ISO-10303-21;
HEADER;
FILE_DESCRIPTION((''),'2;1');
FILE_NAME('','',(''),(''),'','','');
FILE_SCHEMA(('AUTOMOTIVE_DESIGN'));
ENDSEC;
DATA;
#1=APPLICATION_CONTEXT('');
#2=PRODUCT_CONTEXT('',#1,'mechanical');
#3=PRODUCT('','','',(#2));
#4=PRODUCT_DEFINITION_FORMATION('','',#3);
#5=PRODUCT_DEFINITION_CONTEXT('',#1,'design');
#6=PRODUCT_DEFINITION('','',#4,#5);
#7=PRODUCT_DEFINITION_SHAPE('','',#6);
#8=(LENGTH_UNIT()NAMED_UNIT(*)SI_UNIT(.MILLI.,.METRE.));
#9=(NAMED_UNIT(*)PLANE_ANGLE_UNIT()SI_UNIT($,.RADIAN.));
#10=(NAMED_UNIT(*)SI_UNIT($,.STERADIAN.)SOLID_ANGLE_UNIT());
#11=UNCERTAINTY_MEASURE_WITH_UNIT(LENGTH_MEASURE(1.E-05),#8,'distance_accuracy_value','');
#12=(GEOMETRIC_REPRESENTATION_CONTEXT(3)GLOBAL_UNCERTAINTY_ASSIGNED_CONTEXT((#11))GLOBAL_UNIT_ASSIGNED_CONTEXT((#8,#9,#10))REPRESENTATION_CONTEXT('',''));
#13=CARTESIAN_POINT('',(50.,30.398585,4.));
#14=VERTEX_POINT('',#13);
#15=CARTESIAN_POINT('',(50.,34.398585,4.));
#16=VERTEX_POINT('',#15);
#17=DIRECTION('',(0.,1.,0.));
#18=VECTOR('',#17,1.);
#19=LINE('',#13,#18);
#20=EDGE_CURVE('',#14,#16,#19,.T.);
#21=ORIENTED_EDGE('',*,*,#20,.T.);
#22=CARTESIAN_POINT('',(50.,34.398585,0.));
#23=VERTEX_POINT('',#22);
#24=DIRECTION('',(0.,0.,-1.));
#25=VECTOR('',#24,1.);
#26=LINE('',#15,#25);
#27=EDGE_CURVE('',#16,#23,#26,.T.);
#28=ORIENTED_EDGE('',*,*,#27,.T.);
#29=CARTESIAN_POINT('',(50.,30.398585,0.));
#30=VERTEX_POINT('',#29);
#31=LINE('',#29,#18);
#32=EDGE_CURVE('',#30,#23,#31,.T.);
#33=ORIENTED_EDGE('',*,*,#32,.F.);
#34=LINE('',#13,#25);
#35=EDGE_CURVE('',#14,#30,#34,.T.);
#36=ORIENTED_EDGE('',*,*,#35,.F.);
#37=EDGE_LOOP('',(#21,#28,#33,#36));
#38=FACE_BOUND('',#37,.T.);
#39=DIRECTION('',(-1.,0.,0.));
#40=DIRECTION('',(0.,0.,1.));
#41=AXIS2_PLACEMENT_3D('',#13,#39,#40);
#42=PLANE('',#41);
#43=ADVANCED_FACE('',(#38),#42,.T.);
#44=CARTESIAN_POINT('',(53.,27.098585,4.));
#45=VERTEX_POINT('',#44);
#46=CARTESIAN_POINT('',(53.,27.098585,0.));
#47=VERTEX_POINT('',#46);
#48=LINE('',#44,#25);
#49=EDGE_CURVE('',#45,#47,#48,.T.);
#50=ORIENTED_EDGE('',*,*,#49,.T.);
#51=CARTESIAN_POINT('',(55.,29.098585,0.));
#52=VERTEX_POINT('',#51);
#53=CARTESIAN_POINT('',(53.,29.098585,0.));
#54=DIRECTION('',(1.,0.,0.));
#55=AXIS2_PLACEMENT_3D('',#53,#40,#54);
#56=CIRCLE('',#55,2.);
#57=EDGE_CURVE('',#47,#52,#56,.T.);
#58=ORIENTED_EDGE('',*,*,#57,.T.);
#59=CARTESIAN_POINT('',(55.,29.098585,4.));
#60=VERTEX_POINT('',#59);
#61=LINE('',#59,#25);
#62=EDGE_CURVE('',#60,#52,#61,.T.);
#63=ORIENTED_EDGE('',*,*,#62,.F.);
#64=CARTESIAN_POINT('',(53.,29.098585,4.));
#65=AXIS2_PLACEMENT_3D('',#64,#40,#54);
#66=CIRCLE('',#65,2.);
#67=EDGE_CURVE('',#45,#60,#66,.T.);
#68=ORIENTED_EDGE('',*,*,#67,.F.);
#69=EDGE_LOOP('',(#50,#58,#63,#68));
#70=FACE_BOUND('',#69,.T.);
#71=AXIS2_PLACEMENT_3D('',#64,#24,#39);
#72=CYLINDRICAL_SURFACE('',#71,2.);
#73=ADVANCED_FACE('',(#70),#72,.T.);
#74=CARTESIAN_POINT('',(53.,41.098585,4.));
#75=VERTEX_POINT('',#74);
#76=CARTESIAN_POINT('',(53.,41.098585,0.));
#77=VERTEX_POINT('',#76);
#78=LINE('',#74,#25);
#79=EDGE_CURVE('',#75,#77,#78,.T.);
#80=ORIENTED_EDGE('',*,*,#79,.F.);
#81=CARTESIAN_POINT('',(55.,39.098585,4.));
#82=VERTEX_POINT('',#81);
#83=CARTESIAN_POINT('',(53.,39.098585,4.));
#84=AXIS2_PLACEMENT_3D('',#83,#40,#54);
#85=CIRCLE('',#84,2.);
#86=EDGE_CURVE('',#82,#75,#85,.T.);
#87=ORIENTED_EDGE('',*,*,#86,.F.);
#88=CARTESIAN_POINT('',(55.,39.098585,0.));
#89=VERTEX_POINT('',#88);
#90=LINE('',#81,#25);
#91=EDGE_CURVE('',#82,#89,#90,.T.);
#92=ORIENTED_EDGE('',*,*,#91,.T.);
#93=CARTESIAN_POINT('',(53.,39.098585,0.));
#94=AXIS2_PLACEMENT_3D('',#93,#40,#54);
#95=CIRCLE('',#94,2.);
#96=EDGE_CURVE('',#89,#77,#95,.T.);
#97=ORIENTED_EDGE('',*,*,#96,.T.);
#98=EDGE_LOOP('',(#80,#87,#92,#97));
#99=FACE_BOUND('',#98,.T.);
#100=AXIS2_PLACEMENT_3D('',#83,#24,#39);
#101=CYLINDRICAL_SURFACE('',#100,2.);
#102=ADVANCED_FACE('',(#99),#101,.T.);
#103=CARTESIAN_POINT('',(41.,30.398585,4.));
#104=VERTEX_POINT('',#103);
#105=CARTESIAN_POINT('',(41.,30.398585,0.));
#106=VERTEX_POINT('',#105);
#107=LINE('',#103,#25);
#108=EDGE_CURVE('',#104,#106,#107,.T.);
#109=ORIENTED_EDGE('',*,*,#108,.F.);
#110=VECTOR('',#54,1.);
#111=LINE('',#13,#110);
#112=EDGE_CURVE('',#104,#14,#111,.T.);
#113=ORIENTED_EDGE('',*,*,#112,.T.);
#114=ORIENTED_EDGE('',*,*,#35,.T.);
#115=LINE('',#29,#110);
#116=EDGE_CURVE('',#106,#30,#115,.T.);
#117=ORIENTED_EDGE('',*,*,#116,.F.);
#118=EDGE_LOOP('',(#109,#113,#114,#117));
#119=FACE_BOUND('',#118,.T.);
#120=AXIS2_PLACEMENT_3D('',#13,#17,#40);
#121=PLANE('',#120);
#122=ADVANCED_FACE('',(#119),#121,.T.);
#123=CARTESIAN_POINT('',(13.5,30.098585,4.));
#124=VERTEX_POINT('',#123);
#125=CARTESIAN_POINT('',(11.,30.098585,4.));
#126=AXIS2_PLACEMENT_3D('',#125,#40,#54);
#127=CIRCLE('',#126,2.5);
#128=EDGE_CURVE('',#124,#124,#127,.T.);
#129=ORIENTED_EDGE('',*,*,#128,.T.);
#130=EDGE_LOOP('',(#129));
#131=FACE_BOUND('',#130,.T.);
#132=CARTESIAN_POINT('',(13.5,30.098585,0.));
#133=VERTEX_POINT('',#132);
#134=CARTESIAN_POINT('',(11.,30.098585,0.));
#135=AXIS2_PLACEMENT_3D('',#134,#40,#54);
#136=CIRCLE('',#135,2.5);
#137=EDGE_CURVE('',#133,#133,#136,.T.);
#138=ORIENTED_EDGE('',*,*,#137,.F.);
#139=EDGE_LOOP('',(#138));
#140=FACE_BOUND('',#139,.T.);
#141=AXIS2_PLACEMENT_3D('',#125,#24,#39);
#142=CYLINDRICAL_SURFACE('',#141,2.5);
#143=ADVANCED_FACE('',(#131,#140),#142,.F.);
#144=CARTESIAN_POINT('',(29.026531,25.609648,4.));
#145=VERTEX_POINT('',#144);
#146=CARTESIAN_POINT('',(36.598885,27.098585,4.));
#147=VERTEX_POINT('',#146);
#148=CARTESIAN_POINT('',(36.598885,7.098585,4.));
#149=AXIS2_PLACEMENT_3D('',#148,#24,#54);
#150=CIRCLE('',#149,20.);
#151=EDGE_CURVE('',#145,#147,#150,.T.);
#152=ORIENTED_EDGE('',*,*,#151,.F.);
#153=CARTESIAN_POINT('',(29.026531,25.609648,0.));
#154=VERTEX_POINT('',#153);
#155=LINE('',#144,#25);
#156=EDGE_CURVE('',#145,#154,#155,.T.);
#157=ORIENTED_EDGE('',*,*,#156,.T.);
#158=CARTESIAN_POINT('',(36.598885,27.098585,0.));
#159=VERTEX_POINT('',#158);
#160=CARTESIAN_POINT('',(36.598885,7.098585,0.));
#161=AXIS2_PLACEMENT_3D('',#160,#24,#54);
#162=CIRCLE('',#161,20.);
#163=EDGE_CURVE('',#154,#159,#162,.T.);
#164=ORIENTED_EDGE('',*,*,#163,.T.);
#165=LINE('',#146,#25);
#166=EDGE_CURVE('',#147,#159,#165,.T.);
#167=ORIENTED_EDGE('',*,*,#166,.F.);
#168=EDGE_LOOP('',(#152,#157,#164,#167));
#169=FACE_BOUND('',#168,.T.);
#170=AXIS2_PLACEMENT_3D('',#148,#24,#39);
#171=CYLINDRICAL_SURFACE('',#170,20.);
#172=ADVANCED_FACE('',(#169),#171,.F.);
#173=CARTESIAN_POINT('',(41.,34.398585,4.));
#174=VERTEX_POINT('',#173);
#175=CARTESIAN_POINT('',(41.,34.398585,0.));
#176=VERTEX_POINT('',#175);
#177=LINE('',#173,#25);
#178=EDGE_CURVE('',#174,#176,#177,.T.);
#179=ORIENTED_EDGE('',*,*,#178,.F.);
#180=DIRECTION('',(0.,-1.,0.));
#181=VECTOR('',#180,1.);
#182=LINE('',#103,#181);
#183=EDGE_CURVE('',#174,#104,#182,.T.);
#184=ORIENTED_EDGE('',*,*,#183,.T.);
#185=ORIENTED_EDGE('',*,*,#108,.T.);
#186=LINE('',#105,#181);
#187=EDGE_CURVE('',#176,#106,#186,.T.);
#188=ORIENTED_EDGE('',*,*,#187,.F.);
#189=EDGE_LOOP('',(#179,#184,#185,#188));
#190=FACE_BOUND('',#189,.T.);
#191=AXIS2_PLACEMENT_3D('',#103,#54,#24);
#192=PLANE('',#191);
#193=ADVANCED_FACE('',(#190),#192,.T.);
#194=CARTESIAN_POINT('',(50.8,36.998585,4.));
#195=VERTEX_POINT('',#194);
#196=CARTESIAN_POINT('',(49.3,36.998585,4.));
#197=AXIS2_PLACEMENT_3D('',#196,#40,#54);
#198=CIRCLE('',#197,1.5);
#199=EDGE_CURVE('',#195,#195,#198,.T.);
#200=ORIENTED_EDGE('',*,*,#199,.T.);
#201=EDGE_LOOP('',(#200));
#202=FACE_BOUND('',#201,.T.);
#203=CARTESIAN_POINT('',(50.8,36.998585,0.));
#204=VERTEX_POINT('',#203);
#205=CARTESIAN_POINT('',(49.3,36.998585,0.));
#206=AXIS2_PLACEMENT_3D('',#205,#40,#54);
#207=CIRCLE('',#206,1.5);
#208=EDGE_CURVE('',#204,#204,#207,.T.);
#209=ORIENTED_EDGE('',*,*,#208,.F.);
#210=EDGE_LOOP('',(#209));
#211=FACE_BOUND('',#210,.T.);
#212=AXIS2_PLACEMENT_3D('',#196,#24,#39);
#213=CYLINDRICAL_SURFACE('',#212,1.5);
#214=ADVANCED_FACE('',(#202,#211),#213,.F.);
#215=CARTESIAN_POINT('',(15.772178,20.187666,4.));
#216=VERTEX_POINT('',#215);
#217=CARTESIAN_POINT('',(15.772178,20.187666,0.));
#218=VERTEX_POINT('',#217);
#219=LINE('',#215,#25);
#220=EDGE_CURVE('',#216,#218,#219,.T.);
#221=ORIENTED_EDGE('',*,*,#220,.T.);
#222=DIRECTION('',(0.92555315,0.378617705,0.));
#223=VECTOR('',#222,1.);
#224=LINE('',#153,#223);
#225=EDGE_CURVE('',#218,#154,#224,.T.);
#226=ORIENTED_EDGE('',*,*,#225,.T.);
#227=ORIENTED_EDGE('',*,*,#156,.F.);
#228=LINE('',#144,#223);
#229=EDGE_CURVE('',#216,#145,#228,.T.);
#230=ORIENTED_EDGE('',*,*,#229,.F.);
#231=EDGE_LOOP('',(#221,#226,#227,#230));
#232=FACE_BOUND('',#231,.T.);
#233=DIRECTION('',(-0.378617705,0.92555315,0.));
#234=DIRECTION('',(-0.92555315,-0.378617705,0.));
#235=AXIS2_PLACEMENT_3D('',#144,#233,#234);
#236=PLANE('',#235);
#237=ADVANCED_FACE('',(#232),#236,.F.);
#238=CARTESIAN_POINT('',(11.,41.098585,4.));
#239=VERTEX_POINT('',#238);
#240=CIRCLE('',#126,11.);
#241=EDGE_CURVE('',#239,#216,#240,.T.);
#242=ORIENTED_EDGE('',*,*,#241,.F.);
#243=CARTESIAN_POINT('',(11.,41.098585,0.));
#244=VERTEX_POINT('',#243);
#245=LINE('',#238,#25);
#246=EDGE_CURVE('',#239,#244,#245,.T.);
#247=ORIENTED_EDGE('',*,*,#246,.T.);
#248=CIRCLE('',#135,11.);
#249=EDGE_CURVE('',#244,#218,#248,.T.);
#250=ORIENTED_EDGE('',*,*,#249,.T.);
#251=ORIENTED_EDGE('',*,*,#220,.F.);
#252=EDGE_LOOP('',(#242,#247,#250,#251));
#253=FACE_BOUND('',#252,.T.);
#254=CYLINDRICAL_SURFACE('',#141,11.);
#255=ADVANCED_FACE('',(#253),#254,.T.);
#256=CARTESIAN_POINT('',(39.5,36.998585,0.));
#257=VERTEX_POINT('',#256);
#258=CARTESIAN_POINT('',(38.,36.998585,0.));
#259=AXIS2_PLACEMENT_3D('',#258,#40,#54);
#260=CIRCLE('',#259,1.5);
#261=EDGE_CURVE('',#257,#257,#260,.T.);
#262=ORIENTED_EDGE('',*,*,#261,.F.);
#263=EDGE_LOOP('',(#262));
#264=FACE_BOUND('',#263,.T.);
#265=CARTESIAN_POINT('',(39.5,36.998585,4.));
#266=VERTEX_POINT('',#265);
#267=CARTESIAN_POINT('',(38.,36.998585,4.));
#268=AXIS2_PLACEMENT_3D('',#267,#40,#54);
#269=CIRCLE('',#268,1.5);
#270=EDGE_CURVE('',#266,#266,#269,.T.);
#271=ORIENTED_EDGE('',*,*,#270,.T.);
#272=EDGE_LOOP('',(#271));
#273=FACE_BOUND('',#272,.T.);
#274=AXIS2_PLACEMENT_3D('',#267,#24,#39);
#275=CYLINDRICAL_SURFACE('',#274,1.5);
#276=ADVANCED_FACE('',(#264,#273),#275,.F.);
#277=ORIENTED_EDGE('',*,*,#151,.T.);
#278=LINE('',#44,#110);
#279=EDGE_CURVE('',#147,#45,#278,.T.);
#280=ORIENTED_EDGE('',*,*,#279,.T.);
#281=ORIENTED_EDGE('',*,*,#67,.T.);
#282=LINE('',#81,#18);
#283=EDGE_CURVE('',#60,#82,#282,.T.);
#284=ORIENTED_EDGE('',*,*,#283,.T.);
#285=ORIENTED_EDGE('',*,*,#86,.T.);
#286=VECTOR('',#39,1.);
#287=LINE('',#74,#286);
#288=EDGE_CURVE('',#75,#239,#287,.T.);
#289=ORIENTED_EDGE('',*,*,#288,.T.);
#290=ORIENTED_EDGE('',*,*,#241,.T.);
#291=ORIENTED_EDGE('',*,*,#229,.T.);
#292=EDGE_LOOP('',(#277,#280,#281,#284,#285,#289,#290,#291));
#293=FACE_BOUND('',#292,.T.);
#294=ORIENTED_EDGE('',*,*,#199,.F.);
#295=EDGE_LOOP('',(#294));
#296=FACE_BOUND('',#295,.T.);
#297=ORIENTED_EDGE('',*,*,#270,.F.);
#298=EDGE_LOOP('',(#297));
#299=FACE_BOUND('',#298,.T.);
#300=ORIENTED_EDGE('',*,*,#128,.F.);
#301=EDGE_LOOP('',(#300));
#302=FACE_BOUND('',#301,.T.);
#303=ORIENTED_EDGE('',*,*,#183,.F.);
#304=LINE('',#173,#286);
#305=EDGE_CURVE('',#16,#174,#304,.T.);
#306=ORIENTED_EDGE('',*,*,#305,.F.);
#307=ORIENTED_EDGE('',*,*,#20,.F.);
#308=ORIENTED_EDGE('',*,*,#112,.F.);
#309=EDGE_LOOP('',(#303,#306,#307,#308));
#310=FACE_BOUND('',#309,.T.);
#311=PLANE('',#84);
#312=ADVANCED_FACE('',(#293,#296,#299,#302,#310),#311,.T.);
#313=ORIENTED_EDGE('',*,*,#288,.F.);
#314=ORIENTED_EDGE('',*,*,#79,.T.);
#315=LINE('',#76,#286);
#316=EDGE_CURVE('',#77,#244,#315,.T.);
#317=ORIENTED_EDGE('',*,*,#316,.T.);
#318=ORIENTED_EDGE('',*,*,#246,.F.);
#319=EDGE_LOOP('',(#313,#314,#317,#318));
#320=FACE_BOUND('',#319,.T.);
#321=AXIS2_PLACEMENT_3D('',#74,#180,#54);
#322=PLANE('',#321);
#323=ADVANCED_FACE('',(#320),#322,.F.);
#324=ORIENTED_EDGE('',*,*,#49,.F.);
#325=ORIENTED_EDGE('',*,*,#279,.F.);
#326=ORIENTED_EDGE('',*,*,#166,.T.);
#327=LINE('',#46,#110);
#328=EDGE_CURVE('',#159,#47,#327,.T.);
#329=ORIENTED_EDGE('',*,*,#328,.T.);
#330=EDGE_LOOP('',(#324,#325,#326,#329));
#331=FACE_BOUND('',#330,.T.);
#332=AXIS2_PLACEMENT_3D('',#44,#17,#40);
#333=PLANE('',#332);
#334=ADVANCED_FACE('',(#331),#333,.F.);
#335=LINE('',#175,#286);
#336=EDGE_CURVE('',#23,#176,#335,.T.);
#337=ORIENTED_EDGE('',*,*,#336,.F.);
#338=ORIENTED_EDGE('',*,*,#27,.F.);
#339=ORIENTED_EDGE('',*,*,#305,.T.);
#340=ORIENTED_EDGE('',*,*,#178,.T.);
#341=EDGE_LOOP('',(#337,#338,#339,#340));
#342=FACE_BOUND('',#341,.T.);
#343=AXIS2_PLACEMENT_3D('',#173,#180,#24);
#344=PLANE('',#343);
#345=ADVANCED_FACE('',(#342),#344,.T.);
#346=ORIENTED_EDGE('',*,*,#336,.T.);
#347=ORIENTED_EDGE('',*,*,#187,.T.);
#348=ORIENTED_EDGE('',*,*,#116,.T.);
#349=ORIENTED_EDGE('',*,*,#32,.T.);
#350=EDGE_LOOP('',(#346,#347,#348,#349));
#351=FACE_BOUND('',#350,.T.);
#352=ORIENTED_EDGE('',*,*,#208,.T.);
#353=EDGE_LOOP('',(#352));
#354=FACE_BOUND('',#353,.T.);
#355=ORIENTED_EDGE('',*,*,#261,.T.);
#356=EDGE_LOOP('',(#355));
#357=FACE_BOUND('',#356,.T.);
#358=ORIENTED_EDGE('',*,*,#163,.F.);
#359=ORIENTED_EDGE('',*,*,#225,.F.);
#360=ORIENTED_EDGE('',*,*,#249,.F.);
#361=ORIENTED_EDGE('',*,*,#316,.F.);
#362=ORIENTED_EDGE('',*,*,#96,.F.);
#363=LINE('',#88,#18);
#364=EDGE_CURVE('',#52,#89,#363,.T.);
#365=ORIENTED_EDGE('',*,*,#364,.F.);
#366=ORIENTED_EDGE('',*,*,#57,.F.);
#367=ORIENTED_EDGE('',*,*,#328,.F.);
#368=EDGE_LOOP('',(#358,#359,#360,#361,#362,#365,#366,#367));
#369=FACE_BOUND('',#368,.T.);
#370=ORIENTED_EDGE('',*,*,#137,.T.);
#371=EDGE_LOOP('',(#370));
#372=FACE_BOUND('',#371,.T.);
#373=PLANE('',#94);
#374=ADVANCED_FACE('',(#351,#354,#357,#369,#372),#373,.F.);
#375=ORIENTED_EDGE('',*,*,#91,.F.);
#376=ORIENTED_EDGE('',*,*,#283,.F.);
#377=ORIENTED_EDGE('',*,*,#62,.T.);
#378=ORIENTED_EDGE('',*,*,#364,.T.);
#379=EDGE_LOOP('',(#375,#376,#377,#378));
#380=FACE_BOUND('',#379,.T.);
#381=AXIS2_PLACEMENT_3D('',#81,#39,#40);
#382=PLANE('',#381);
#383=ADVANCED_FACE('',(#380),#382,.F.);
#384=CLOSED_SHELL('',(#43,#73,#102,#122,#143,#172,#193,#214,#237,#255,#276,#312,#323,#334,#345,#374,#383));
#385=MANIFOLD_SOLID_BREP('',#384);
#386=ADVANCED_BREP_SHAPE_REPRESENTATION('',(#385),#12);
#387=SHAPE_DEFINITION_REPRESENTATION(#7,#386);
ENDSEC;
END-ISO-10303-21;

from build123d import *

# Parameters (mm, degrees)
SKETCH1_R           = 1.5
SKETCH1_R_2         = 2.5
SKETCH1_W           = 9
SKETCH1_H           = 4
BOSS_EXTRUDE1_DEPTH = 4


with BuildPart() as part:
    # Sketch1 → Boss-Extrude1 (new body)
    with BuildSketch(Plane.XY):
        with BuildLine():
            Line((55, 39.098584833), (55, 29.098584833))
            ThreePointArc((55, 29.098584833), (54.414213562, 27.684371271), (53, 27.098584833))
            Line((53, 27.098584833), (36.598884751, 27.098584833))
            ThreePointArc((36.598884751, 27.098584833), (32.740210108, 26.722820615), (29.026530651, 25.609647833))
            Line((29.026530651, 25.609647833), (15.772178259, 20.187665872))
            ThreePointArc((15.772178259, 20.187665872), (0.275725932, 27.651148274), (11, 41.098584833))
            Line((11, 41.098584833), (53, 41.098584833))
            ThreePointArc((53, 41.098584833), (54.414213562, 40.512798396), (55, 39.098584833))
        make_face()
        with Locations((38, 36.998584833)):
            Circle(SKETCH1_R, mode=Mode.SUBTRACT)
        with Locations((49.3, 36.998584833)):
            Circle(SKETCH1_R, mode=Mode.SUBTRACT)
        with Locations((11, 30.098584833)):
            Circle(SKETCH1_R_2, mode=Mode.SUBTRACT)
        with Locations((45.5, 32.398584833)):
            Rectangle(SKETCH1_W, SKETCH1_H, mode=Mode.SUBTRACT)
    extrude(amount=BOSS_EXTRUDE1_DEPTH)


solid = part.part
